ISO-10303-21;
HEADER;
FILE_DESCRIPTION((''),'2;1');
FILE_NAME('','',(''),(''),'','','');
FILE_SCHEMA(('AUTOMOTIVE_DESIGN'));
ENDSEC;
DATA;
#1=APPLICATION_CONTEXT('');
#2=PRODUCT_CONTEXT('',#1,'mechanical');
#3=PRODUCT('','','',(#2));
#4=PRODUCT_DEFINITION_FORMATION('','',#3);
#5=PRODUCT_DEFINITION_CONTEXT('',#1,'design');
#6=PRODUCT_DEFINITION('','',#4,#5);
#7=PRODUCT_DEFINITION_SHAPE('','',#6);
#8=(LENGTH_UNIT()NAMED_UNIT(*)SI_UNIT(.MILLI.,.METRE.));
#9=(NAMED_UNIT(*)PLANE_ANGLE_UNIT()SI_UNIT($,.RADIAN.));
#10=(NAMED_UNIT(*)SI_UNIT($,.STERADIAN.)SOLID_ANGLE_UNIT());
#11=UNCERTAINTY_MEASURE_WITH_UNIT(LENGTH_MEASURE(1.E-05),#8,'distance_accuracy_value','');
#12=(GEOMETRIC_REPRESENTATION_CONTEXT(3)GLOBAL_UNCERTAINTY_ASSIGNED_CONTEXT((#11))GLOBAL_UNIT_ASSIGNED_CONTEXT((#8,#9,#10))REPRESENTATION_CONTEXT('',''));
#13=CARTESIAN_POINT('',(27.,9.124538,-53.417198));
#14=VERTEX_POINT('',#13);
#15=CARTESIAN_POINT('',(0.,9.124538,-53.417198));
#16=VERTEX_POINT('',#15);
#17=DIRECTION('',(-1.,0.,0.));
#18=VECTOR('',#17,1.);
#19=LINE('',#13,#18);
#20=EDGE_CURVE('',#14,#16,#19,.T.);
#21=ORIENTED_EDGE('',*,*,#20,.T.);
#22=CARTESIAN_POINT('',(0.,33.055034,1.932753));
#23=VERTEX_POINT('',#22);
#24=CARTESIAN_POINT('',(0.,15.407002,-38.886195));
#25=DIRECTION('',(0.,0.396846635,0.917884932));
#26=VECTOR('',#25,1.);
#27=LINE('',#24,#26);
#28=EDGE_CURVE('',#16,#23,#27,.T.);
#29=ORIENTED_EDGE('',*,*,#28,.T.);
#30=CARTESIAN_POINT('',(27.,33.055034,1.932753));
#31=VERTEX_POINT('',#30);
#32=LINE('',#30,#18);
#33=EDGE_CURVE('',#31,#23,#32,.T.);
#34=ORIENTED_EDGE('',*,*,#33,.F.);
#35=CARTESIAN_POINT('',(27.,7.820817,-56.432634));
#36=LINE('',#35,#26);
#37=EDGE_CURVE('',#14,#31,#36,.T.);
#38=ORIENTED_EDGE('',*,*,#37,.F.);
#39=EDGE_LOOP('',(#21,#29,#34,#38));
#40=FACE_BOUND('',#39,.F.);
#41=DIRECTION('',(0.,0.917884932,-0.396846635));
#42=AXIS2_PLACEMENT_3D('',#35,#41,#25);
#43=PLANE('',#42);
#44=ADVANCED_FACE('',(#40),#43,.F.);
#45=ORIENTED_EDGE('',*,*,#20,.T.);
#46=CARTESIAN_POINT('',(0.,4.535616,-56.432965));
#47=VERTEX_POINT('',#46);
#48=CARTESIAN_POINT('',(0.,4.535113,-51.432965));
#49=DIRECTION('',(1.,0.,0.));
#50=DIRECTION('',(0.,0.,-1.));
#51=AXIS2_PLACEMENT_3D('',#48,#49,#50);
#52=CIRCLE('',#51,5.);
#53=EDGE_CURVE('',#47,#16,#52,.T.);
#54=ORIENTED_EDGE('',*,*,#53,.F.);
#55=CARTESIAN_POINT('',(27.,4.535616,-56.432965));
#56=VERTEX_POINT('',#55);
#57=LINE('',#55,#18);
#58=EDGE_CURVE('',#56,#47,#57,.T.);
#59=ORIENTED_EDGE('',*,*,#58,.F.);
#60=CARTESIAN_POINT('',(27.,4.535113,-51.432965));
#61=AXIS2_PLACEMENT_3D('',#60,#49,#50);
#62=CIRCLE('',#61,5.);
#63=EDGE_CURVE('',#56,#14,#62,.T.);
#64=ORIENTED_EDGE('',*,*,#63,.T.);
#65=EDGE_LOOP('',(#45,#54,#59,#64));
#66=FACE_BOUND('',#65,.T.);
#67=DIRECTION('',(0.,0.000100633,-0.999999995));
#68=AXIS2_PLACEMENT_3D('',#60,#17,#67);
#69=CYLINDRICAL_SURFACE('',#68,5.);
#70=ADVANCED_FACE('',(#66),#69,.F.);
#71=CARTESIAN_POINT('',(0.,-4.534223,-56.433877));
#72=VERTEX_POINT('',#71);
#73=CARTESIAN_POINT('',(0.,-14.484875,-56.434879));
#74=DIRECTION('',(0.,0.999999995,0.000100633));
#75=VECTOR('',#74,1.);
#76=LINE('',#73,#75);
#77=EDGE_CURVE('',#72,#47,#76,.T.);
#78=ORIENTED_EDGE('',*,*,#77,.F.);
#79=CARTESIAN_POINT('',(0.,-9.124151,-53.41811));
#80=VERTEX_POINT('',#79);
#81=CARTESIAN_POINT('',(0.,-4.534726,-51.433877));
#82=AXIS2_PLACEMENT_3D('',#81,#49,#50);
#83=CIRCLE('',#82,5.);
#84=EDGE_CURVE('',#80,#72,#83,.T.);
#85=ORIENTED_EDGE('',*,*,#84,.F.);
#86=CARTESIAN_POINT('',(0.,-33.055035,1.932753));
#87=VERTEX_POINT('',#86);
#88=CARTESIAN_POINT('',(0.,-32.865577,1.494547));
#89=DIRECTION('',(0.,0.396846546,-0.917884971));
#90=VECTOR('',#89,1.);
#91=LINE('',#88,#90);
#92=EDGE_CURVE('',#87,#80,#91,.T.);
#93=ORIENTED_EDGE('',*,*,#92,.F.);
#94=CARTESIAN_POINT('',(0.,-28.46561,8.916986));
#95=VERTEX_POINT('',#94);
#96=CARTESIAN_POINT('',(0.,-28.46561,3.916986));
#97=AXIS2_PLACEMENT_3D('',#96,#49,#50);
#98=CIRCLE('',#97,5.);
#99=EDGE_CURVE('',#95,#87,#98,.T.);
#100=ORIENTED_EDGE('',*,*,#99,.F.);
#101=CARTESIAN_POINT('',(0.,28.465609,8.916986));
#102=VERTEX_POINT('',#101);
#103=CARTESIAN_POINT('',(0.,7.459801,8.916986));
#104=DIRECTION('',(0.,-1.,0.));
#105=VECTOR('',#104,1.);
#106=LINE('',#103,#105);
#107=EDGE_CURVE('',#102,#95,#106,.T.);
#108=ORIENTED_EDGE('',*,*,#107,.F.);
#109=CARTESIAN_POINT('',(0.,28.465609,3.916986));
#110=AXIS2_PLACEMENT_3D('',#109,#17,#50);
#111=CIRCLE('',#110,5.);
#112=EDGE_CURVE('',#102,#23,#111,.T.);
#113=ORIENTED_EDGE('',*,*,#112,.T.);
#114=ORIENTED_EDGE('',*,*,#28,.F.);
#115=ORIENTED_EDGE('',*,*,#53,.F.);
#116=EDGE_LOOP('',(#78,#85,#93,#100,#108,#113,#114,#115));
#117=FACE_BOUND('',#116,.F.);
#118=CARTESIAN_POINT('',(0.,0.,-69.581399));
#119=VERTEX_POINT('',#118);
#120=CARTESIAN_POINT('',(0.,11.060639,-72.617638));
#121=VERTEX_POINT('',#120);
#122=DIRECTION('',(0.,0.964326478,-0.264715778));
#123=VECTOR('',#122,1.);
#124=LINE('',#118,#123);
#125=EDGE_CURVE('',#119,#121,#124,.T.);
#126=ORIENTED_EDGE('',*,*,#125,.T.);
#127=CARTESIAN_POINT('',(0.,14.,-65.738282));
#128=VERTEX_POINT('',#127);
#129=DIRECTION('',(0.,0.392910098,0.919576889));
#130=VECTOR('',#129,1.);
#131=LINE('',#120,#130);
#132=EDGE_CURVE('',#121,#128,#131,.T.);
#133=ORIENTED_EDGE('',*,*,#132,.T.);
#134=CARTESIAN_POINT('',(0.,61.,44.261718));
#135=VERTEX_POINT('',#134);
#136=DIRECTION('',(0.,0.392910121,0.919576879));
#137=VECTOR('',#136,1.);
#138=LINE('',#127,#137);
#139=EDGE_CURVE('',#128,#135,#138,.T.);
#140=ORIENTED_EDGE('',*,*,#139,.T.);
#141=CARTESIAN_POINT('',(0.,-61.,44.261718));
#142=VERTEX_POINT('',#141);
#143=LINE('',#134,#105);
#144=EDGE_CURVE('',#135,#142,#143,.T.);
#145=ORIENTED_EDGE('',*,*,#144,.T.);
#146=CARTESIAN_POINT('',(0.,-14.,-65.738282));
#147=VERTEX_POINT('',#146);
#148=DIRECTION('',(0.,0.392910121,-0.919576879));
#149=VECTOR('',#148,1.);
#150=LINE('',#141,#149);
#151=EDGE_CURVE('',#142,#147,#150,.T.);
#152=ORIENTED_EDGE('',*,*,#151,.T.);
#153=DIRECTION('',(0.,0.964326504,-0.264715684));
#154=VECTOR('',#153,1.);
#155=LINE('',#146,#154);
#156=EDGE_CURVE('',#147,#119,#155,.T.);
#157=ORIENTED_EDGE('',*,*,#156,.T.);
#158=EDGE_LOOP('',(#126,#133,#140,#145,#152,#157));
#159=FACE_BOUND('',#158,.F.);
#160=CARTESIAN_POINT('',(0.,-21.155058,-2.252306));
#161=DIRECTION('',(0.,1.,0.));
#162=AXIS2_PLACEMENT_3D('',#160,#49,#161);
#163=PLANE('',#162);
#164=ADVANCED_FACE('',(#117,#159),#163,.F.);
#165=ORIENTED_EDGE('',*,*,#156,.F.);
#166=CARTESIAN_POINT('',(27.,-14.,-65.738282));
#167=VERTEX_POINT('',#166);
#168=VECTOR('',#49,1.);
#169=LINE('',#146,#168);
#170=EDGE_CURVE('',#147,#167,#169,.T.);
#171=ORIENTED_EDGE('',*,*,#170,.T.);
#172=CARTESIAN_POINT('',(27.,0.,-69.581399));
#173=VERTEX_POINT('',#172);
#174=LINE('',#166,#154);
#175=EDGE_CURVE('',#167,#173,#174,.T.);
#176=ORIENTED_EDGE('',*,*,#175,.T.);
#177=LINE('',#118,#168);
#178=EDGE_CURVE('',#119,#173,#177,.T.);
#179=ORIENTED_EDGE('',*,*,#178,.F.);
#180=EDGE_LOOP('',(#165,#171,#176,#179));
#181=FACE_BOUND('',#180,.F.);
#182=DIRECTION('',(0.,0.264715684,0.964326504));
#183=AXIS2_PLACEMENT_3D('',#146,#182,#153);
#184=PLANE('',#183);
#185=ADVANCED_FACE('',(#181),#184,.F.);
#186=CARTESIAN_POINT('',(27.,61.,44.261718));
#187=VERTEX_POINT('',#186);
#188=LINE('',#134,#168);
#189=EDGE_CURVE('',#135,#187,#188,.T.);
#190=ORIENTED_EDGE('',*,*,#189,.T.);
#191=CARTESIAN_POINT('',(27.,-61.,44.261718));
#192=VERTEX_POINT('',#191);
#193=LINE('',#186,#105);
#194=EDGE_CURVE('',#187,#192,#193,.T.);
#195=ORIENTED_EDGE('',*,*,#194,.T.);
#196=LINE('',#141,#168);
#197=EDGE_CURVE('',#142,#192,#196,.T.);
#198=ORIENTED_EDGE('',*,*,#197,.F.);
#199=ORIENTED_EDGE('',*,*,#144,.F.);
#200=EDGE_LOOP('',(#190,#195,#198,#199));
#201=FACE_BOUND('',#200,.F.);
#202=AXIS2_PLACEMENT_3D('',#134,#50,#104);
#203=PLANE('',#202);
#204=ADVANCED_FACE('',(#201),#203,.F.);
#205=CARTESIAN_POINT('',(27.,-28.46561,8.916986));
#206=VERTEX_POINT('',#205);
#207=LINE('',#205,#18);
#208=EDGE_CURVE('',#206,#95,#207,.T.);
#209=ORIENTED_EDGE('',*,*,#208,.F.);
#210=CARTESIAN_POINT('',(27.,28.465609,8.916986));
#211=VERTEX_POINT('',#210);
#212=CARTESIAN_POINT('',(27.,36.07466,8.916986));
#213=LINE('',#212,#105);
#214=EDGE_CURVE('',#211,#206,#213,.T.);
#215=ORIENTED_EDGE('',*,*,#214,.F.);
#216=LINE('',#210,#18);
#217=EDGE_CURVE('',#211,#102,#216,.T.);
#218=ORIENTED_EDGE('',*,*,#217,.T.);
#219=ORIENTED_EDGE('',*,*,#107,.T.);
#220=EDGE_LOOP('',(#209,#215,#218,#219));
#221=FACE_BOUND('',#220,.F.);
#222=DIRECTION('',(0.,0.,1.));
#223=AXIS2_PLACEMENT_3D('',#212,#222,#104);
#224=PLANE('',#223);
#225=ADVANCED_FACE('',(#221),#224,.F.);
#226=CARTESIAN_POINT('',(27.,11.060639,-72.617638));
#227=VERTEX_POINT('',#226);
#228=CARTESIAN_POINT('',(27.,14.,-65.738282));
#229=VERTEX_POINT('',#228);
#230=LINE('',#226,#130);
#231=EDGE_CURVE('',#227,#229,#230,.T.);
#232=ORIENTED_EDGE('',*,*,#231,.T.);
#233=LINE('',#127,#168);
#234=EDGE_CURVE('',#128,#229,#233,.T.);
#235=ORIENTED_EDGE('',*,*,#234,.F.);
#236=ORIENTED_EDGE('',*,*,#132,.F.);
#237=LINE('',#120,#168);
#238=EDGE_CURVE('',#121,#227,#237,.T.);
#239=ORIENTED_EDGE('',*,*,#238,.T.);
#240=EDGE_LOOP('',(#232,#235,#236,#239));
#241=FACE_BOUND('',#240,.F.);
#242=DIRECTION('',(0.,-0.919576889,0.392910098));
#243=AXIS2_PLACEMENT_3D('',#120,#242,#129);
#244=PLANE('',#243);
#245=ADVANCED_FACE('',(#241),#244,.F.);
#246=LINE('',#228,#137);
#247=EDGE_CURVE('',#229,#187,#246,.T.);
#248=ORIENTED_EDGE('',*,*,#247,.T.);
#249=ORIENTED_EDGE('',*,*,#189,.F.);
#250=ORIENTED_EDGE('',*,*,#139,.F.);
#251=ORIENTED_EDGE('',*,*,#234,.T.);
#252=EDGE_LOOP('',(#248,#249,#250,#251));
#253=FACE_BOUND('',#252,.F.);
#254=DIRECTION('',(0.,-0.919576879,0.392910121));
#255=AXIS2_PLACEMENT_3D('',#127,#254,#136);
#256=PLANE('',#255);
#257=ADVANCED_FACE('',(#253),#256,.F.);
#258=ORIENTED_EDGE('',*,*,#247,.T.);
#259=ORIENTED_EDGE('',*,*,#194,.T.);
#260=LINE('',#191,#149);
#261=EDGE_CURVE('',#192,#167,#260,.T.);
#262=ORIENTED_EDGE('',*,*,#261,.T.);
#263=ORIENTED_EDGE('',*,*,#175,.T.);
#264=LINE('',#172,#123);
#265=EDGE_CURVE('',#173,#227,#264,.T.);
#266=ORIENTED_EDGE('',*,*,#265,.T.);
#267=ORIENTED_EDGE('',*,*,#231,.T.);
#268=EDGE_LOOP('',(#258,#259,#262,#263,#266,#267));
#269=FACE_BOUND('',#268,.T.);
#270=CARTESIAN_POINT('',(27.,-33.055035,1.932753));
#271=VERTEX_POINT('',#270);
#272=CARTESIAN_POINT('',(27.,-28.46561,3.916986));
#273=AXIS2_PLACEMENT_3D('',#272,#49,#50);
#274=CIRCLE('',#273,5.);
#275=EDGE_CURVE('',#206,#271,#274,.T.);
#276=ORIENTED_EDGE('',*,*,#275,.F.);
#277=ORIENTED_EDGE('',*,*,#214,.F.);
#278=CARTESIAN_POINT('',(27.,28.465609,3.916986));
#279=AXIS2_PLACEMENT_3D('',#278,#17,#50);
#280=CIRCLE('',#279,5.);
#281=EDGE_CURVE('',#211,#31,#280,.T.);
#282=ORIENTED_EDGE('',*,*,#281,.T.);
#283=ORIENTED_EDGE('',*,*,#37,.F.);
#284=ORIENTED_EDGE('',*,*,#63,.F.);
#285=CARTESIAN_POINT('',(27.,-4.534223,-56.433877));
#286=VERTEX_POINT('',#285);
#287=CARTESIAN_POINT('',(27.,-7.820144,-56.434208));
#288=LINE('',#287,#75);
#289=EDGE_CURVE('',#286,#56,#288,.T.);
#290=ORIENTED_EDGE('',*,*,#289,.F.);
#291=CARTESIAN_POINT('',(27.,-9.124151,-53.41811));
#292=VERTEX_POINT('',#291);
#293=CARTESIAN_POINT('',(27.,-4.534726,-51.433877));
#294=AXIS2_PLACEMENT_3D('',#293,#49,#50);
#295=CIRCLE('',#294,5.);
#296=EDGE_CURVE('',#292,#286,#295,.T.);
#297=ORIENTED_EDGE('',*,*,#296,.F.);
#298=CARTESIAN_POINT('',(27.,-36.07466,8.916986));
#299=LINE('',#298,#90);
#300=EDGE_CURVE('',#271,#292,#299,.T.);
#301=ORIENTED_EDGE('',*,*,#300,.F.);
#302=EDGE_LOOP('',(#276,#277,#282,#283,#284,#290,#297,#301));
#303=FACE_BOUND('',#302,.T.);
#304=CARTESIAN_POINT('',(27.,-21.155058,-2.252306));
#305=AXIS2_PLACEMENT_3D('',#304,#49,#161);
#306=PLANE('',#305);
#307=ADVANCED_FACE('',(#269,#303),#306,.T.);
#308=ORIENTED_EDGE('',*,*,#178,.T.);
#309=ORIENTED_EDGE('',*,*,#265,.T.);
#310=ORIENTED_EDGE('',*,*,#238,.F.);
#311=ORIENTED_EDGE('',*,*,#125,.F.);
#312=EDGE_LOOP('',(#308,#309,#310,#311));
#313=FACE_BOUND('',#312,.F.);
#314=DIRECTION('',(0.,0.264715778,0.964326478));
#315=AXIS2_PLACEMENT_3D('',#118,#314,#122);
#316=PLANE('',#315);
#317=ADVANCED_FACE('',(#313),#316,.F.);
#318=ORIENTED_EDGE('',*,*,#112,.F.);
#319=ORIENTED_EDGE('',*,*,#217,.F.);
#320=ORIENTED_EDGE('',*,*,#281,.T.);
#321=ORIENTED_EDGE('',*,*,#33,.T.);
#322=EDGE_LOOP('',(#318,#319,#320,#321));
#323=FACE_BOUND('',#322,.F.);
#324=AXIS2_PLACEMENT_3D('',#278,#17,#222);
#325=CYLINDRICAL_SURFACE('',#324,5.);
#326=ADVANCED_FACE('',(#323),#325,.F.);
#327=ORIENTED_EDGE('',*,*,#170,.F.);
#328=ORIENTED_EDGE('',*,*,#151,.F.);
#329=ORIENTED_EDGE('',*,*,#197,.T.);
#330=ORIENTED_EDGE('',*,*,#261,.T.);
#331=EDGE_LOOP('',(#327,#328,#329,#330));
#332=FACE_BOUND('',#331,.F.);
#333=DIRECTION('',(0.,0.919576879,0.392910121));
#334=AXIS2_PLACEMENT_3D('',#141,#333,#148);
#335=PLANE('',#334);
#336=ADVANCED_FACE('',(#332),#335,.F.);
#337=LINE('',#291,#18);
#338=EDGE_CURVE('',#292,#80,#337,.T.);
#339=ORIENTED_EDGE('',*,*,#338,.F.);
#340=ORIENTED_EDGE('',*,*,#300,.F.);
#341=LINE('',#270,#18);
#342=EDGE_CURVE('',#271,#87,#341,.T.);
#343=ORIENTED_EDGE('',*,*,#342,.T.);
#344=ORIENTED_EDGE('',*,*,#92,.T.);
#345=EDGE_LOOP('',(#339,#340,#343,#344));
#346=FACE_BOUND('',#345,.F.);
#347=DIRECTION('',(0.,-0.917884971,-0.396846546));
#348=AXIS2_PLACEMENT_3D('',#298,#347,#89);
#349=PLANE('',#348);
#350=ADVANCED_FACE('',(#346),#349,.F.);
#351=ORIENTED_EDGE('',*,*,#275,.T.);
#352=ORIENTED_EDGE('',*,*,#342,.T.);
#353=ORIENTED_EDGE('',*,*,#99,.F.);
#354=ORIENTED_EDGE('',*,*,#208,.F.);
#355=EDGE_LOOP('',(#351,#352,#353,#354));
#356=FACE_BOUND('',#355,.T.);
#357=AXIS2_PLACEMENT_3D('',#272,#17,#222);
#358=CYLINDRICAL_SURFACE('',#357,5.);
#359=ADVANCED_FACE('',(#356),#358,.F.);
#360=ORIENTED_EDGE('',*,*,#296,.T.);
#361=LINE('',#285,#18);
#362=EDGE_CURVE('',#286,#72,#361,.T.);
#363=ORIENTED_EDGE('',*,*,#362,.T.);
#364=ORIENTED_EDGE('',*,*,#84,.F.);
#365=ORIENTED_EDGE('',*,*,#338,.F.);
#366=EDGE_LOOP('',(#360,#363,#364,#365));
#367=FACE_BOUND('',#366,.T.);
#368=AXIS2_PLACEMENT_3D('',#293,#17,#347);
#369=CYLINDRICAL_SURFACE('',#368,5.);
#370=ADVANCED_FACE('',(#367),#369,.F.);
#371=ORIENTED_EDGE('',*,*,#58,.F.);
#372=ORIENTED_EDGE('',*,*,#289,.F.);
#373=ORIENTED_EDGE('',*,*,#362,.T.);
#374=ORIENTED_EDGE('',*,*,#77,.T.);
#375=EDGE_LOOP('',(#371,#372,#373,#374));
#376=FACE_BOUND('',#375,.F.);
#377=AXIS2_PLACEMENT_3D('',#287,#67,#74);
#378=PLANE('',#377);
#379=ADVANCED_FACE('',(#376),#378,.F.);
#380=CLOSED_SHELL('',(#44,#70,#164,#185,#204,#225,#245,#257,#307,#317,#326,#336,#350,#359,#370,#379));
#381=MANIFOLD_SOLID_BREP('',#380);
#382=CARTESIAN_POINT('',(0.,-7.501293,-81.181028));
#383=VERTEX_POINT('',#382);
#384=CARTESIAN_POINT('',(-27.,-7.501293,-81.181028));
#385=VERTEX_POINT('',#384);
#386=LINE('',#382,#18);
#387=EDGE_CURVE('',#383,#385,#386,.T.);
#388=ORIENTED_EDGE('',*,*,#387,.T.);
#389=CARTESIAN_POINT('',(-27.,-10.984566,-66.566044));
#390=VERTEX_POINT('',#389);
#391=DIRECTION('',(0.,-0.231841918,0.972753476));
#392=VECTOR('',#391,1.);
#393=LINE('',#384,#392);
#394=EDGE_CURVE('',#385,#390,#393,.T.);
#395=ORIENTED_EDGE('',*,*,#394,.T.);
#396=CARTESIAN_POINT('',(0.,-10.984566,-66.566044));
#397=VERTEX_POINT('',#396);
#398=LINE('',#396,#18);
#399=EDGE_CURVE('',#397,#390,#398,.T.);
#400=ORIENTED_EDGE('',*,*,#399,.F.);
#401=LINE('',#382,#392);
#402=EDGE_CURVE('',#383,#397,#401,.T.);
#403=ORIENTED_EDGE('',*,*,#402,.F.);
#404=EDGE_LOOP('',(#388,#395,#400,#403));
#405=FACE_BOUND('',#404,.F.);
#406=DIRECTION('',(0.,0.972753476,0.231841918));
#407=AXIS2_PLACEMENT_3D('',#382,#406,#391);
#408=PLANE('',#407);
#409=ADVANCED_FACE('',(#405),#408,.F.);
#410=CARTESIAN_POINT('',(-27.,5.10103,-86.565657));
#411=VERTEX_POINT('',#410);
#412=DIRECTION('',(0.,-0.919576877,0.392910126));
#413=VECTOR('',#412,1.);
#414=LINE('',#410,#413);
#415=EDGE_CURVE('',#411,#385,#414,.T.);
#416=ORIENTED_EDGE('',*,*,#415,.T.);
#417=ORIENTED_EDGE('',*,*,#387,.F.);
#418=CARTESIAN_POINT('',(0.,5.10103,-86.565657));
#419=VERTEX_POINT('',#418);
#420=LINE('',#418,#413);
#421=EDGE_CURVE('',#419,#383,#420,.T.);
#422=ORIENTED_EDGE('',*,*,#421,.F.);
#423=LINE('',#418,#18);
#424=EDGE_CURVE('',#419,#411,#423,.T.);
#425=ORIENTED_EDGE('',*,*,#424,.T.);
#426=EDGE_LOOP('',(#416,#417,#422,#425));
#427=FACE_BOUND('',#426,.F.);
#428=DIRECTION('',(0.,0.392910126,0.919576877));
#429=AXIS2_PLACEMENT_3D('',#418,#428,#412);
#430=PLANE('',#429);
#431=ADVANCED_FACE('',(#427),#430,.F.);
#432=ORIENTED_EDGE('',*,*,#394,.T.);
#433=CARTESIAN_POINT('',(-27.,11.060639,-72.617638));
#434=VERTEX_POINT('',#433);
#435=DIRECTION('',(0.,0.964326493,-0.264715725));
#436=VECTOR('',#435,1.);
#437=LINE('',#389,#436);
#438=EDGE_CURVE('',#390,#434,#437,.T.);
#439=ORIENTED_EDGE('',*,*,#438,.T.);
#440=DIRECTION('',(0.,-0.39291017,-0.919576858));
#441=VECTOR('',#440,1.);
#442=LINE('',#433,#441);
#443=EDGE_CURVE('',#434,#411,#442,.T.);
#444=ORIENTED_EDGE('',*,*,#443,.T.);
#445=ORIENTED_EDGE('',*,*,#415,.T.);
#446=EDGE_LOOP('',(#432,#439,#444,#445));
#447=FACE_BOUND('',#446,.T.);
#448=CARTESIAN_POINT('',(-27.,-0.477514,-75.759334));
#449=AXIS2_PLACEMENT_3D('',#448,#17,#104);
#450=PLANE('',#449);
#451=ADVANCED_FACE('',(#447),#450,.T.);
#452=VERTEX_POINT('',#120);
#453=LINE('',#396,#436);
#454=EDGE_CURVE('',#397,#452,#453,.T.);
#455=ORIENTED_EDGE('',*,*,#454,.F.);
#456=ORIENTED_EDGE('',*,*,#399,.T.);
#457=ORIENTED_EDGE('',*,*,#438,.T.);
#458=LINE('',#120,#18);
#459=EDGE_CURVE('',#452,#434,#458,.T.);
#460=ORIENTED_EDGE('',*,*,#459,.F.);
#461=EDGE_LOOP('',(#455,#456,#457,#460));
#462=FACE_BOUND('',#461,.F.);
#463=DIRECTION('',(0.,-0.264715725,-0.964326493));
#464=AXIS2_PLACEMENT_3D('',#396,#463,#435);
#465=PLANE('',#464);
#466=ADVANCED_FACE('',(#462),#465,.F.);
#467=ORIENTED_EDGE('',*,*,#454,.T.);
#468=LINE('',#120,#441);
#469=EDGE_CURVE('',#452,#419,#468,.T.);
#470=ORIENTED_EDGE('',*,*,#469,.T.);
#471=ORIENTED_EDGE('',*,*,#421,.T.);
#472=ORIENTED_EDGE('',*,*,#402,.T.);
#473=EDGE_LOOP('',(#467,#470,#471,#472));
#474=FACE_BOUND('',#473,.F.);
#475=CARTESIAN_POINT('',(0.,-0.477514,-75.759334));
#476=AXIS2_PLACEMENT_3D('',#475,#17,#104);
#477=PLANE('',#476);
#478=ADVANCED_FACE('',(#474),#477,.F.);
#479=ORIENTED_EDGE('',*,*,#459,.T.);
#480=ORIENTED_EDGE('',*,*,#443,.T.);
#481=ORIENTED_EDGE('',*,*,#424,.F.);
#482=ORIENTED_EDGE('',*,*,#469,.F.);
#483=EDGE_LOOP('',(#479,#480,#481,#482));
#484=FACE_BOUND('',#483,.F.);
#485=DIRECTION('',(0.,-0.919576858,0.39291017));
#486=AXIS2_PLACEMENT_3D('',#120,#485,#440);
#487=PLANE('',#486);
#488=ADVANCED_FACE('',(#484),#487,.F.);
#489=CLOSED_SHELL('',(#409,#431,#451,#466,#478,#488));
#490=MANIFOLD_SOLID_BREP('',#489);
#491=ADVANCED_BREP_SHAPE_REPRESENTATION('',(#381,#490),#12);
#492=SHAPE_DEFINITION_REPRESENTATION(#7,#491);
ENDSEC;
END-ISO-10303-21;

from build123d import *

# Parameters (mm, degrees)
F1_DEPTH = 27
F3_DEPTH = 30
F4_R     = 5
F6_DEPTH = 27


with BuildPart() as f1:
    # F0 (on Right) → F1 (new body)
    with BuildSketch(Plane.YZ):
        Polygon((0, -65.738282), (0, 44.261718), (-61, 44.261718), (-14, -65.738282), align=None)
        Polygon((61, 44.261718), (0, 44.261718), (0, -65.738282), (14, -65.738282), align=None)
        Polygon((14, -65.738282), (0, -65.738282), (0, -69.581399), (11.060639, -72.617638), align=None)
        Polygon((0, -69.581399), (0, -65.738282), (-14, -65.738282), align=None)
    extrude(amount=F1_DEPTH)

    # F2 (on face) → F3 (cut)
    with BuildSketch(Plane.YZ.offset(27)):
        Polygon((36.07466, 8.916986), (-36.07466, 8.916986), (-7.820144, -56.434208), (7.820817, -56.432634), align=None)
    extrude(amount=-F3_DEPTH, mode=Mode.SUBTRACT)

    # F4
    f4_edges = [f1.edges().sort_by_distance(p)[0] for p in [
        (13.5, -36.07466, 8.916986),
        (13.5, 36.07466, 8.916986),
        (13.5, -7.820144, -56.434208),
        (13.5, 7.820817, -56.432634),
    ]]
    fillet(f4_edges, radius=F4_R)


with BuildPart() as f6:
    # F5 (on face) → F6 (new body)
    with BuildSketch(Plane(origin=(0, 0, 0), x_dir=(0, -1, 0), z_dir=(-1, 0, 0))):
        Polygon((10.984566, -66.566044), (-11.060639, -72.617638), (-5.10103, -86.565657), (7.501293, -81.181028), align=None)
    extrude(amount=F6_DEPTH)


solid = Compound([f1.part, f6.part])
